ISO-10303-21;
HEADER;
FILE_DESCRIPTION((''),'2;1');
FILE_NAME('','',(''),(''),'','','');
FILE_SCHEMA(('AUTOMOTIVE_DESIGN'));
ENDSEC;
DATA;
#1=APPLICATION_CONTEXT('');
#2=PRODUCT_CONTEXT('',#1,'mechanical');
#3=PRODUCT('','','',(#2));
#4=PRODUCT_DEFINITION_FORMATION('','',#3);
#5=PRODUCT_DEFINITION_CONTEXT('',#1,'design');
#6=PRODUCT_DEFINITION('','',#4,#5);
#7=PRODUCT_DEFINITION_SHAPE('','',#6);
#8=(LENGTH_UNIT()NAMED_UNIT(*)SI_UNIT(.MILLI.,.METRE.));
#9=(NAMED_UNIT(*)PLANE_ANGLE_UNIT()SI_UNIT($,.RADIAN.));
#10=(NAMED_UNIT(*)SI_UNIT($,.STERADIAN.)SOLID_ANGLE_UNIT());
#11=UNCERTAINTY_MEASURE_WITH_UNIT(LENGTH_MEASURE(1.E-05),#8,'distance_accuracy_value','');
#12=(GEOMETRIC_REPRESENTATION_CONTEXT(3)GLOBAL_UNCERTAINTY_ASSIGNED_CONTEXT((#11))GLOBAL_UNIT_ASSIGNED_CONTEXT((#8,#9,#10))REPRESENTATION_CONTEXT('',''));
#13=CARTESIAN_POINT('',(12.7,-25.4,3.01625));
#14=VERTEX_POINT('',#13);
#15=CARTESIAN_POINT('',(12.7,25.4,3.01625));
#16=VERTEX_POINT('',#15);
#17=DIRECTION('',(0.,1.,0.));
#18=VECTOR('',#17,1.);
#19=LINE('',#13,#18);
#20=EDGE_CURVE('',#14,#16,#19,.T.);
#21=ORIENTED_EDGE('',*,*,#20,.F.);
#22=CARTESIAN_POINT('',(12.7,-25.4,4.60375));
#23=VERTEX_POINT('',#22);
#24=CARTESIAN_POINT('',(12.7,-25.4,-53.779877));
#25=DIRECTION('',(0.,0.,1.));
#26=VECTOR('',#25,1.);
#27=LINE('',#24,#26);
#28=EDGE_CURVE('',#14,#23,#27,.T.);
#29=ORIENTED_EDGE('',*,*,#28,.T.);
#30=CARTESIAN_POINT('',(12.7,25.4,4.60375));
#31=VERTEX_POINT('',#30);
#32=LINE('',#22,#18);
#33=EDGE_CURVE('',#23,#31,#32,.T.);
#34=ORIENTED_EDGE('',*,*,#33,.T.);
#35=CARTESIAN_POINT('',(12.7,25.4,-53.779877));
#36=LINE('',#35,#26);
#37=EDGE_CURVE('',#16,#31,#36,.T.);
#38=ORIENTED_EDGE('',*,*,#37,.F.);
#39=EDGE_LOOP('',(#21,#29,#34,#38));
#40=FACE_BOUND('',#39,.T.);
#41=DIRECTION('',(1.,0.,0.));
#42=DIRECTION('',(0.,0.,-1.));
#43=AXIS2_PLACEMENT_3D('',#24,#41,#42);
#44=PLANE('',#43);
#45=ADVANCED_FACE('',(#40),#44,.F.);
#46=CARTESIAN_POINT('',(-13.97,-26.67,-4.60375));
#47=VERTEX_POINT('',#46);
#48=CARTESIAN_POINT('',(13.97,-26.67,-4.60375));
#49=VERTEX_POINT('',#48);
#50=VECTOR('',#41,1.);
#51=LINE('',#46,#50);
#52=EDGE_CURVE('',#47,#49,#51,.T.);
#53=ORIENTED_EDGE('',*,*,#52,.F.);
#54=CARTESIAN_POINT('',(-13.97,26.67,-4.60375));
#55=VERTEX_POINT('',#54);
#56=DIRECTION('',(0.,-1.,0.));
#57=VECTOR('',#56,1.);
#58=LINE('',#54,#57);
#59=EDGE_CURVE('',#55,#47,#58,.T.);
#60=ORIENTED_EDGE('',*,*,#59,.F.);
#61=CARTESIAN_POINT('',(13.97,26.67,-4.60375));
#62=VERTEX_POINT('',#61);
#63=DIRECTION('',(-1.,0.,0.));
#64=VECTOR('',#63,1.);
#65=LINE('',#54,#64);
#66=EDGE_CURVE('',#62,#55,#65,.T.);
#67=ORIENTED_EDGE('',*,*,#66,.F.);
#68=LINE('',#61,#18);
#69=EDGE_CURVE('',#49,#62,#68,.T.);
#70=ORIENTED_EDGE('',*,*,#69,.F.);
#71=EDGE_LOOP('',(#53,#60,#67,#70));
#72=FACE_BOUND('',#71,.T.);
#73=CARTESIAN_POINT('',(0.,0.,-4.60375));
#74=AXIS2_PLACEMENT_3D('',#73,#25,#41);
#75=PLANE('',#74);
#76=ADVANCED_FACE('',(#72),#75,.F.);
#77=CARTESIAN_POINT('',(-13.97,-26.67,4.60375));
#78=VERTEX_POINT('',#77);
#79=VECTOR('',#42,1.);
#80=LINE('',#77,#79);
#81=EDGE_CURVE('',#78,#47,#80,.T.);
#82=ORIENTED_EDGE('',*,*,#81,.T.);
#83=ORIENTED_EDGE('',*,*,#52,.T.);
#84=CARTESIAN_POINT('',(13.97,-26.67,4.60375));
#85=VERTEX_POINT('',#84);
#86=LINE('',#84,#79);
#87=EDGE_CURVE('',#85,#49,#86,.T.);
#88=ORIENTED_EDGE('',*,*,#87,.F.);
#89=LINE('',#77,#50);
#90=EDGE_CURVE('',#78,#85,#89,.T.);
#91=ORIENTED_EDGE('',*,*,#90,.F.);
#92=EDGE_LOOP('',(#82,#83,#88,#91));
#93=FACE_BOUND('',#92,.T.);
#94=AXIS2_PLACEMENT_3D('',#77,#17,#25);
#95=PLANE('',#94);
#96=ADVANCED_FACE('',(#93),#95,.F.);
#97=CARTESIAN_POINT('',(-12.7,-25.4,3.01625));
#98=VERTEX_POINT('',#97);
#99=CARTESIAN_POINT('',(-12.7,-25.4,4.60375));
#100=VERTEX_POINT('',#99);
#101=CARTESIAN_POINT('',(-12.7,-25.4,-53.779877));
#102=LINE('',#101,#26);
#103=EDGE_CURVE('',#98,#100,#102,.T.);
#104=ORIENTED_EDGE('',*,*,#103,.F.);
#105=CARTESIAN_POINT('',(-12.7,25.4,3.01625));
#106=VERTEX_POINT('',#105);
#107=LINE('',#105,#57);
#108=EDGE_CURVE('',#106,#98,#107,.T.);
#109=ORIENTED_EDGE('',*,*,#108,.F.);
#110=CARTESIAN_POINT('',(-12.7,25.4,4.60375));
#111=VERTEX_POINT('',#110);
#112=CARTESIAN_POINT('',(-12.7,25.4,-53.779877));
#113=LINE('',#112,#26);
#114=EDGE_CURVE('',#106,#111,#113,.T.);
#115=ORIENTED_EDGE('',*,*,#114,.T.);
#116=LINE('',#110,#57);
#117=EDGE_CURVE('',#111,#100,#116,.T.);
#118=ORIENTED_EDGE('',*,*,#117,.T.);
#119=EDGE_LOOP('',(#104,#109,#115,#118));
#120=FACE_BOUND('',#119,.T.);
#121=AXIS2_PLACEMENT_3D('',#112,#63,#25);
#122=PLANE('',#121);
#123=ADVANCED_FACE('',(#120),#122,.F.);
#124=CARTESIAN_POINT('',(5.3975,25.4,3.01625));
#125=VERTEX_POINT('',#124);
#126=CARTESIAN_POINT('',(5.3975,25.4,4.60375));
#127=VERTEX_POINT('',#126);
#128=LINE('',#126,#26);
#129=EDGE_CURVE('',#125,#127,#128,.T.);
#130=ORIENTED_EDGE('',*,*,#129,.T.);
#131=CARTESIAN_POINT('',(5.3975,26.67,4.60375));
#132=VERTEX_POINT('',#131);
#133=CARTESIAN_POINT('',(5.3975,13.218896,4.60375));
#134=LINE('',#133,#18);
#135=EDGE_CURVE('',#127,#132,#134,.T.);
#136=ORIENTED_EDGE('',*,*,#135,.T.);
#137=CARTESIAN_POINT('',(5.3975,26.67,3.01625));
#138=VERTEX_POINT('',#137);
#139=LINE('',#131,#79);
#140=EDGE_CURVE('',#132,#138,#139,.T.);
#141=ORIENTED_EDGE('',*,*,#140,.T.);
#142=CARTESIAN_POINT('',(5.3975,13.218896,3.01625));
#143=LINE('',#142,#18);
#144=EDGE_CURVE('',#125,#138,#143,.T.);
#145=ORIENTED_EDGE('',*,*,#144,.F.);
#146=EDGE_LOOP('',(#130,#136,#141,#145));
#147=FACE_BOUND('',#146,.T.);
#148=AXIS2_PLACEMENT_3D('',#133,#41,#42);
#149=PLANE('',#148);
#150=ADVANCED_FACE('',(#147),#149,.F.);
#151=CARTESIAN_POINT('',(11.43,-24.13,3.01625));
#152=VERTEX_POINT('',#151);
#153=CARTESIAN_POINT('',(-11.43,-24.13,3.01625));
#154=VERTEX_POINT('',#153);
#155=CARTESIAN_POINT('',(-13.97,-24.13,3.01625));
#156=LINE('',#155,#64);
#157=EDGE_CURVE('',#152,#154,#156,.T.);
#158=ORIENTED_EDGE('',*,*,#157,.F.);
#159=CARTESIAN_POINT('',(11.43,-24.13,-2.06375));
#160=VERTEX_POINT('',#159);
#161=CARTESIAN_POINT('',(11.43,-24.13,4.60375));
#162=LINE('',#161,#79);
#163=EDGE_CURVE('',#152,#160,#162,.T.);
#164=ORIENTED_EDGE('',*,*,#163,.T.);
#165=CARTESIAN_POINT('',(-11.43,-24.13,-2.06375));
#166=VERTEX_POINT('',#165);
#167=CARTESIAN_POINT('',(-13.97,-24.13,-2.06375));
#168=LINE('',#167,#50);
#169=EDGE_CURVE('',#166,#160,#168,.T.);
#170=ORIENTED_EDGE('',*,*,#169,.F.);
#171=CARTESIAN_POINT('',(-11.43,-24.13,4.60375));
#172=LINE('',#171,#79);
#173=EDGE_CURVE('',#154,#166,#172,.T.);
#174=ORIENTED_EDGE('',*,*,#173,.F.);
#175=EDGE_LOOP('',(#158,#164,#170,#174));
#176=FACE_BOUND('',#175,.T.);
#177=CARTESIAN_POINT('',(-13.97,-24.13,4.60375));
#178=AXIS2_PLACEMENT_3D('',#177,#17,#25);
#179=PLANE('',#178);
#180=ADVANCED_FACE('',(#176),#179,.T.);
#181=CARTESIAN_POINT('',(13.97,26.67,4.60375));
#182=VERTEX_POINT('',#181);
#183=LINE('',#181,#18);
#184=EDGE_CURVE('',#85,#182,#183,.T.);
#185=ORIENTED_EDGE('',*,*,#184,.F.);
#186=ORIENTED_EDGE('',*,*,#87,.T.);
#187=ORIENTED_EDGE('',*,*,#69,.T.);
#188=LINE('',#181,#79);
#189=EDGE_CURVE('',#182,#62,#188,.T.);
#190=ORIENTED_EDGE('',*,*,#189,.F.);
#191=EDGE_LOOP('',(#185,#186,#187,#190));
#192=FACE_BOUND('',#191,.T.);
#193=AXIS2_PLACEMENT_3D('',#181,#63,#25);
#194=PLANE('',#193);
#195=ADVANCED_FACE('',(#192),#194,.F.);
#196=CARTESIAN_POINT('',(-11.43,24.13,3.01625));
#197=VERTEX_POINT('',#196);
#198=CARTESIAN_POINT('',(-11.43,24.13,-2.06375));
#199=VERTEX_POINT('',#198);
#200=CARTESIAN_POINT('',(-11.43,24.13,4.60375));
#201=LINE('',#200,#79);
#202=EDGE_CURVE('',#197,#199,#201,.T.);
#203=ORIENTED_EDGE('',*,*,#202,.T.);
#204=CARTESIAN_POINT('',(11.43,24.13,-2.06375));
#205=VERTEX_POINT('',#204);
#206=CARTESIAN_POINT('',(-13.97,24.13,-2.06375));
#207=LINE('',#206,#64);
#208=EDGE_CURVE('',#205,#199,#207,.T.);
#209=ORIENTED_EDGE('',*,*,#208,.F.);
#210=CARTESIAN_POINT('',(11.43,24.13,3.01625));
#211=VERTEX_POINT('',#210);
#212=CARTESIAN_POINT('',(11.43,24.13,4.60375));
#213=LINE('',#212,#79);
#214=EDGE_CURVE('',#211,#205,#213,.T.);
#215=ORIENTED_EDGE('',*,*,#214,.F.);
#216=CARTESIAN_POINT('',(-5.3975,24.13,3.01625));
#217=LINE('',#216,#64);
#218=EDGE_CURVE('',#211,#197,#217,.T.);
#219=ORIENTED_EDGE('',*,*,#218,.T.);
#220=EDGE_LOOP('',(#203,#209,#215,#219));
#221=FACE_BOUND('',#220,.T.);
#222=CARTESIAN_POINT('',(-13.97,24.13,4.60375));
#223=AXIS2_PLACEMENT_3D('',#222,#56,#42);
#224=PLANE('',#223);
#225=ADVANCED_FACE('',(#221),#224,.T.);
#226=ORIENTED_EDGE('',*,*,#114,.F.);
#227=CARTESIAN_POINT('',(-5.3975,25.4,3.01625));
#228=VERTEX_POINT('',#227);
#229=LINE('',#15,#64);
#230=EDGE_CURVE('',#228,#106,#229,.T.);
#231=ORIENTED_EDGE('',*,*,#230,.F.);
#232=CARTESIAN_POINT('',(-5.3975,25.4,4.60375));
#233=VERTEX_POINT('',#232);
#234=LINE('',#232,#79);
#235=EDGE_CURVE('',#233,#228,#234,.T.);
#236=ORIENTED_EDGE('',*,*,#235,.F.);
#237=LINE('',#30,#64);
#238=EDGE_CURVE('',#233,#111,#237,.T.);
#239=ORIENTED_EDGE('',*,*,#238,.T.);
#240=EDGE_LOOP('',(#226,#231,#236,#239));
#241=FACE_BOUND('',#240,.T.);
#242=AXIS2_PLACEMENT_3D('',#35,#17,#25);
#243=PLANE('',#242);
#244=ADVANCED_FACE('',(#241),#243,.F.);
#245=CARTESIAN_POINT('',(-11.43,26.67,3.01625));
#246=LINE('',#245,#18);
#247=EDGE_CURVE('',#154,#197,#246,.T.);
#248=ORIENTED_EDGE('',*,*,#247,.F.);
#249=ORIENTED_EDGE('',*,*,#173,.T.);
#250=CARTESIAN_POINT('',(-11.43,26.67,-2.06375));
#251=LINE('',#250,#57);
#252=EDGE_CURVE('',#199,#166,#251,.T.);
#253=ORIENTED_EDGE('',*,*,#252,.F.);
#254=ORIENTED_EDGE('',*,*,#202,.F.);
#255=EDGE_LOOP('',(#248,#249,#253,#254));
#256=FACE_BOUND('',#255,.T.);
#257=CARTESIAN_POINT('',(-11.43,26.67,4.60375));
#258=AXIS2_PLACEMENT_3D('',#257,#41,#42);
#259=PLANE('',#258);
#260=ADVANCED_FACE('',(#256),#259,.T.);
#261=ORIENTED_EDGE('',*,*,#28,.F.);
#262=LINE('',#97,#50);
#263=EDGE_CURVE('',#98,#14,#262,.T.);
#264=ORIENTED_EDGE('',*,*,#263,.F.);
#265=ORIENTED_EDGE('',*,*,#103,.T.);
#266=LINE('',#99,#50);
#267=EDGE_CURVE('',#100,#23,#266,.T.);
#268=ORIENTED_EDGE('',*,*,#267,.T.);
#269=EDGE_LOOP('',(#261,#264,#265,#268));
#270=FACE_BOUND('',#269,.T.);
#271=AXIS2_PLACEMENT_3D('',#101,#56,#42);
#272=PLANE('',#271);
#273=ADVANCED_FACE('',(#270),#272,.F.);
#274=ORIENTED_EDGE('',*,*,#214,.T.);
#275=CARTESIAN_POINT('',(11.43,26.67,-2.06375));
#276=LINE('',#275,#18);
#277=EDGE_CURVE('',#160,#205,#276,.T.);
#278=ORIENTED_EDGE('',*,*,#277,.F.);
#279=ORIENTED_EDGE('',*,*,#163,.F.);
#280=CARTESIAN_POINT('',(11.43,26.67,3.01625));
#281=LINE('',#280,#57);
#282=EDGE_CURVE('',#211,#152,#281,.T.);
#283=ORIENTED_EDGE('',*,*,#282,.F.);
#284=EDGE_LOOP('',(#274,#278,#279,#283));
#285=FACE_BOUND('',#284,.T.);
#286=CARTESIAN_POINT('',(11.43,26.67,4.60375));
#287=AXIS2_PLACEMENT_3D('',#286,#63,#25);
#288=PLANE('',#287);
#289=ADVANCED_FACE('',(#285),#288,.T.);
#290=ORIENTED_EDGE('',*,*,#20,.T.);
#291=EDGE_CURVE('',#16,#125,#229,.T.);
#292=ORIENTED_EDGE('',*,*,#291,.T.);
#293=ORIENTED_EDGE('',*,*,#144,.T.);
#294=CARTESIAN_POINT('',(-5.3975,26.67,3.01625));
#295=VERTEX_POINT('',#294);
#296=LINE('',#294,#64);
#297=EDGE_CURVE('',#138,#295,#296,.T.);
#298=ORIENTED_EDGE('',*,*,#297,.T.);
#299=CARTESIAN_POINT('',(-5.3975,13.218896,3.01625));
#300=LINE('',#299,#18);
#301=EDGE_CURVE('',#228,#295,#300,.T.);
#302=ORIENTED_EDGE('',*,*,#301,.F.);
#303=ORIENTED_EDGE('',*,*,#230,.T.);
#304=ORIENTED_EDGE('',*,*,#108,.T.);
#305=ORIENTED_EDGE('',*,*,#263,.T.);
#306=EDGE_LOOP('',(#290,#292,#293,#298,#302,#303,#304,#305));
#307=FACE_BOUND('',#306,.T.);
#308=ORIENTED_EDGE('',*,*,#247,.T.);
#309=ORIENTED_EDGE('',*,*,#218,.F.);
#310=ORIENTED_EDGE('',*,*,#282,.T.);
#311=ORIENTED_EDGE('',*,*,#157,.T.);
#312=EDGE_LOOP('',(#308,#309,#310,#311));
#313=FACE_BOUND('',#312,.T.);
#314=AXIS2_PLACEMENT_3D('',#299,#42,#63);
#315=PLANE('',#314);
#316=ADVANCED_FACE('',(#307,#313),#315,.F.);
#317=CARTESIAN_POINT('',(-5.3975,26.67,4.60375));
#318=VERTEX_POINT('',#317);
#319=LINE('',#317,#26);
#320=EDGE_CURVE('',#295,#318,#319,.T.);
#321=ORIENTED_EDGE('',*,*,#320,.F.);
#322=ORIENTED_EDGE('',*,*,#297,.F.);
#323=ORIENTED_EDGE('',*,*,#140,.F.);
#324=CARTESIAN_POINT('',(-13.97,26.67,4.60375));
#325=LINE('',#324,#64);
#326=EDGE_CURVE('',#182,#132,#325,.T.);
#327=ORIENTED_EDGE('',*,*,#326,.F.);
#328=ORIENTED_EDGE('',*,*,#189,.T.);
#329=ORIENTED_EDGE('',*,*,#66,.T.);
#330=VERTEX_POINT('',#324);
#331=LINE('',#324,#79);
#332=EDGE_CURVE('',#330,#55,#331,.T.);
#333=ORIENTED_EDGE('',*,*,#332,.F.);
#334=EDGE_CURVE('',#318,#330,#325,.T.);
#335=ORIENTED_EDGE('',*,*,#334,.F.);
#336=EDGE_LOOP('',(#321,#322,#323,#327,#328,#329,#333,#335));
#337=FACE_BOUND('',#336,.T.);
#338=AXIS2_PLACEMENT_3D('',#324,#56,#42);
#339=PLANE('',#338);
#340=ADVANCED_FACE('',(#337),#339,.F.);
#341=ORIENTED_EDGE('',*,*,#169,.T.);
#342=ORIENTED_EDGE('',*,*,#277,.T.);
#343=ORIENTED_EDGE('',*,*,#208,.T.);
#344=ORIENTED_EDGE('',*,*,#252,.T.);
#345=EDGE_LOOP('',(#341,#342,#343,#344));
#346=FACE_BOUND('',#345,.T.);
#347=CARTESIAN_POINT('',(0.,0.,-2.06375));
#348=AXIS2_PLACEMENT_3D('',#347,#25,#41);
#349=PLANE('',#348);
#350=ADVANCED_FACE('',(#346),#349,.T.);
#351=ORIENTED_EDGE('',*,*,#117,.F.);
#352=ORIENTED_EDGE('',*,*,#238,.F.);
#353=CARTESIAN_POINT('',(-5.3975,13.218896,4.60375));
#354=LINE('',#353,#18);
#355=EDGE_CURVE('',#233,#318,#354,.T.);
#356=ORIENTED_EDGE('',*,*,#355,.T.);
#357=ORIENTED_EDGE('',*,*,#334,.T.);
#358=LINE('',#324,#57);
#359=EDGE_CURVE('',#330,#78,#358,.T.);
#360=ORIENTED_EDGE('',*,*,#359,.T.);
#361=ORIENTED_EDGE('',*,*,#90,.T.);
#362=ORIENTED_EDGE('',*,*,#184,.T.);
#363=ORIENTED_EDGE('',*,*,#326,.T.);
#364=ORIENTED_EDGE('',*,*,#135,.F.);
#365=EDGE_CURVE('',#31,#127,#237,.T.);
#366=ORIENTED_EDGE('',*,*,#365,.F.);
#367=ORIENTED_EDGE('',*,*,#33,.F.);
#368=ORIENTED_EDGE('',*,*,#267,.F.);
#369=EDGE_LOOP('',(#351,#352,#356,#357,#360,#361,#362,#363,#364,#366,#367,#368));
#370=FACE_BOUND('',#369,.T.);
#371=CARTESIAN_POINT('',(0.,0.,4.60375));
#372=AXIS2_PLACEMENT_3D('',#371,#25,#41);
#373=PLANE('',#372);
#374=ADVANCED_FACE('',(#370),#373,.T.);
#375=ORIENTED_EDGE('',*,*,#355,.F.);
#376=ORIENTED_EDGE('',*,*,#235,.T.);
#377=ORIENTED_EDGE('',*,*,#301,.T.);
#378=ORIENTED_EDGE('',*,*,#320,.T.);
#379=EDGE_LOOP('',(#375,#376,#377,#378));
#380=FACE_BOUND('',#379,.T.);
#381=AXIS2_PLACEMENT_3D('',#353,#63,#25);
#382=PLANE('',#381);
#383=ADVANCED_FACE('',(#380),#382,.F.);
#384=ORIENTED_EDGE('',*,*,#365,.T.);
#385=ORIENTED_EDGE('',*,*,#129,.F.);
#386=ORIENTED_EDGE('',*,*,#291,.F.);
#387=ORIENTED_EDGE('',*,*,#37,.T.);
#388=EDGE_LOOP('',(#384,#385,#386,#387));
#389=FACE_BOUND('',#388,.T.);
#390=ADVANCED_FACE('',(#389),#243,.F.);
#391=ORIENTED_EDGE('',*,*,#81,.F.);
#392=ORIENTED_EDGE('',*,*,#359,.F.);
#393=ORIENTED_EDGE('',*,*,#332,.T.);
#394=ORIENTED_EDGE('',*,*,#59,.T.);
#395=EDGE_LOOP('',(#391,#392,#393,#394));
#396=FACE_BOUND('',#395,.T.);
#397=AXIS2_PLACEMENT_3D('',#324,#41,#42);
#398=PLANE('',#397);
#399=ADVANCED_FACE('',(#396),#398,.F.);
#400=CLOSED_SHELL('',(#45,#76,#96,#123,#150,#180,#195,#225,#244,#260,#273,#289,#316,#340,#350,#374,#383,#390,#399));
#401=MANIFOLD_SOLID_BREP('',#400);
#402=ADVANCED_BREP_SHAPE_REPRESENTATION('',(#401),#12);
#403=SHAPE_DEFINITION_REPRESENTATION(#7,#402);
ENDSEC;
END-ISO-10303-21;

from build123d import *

# Parameters (mm, degrees)
SKETCH1_W           = 27.94
SKETCH1_H           = 53.34
BOSS_EXTRUDE1_DEPTH = 4.60375
SHELL1_T            = -2.54
SKETCH2_W           = 10.795
SKETCH2_H           = 1.5875
CUT_EXTRUDE1_DEPTH  = 2.54
SKETCH3_W           = 25.4
SKETCH3_H           = 50.8
CUT_EXTRUDE2_DEPTH  = 1.5875


with BuildPart() as part:
    # Sketch1 → Boss-Extrude1 (new, symmetric)
    with BuildSketch(Plane.XY):
        Rectangle(SKETCH1_W, SKETCH1_H)
    extrude(amount=BOSS_EXTRUDE1_DEPTH, both=True)

    # Shell1
    shell1_openings = [part.faces().sort_by_distance(p)[0] for p in [
        (0, 0, 4.60375),
    ]]
    offset(amount=SHELL1_T, openings=shell1_openings, kind=Kind.INTERSECTION)

    # Sketch2 → Cut-Extrude1 (cut)
    with BuildSketch(Plane(origin=(0, 26.67, 0), x_dir=(1, 0, 0), z_dir=(0, 1, 0))):
        with Locations((0, -3.81)):
            Rectangle(SKETCH2_W, SKETCH2_H)
    extrude(amount=-CUT_EXTRUDE1_DEPTH, mode=Mode.SUBTRACT)

    # Sketch3 → Cut-Extrude2 (cut)
    with BuildSketch(Plane.XY.offset(4.60375)):
        Rectangle(SKETCH3_W, SKETCH3_H)
    extrude(amount=-CUT_EXTRUDE2_DEPTH, mode=Mode.SUBTRACT)


solid = part.part
